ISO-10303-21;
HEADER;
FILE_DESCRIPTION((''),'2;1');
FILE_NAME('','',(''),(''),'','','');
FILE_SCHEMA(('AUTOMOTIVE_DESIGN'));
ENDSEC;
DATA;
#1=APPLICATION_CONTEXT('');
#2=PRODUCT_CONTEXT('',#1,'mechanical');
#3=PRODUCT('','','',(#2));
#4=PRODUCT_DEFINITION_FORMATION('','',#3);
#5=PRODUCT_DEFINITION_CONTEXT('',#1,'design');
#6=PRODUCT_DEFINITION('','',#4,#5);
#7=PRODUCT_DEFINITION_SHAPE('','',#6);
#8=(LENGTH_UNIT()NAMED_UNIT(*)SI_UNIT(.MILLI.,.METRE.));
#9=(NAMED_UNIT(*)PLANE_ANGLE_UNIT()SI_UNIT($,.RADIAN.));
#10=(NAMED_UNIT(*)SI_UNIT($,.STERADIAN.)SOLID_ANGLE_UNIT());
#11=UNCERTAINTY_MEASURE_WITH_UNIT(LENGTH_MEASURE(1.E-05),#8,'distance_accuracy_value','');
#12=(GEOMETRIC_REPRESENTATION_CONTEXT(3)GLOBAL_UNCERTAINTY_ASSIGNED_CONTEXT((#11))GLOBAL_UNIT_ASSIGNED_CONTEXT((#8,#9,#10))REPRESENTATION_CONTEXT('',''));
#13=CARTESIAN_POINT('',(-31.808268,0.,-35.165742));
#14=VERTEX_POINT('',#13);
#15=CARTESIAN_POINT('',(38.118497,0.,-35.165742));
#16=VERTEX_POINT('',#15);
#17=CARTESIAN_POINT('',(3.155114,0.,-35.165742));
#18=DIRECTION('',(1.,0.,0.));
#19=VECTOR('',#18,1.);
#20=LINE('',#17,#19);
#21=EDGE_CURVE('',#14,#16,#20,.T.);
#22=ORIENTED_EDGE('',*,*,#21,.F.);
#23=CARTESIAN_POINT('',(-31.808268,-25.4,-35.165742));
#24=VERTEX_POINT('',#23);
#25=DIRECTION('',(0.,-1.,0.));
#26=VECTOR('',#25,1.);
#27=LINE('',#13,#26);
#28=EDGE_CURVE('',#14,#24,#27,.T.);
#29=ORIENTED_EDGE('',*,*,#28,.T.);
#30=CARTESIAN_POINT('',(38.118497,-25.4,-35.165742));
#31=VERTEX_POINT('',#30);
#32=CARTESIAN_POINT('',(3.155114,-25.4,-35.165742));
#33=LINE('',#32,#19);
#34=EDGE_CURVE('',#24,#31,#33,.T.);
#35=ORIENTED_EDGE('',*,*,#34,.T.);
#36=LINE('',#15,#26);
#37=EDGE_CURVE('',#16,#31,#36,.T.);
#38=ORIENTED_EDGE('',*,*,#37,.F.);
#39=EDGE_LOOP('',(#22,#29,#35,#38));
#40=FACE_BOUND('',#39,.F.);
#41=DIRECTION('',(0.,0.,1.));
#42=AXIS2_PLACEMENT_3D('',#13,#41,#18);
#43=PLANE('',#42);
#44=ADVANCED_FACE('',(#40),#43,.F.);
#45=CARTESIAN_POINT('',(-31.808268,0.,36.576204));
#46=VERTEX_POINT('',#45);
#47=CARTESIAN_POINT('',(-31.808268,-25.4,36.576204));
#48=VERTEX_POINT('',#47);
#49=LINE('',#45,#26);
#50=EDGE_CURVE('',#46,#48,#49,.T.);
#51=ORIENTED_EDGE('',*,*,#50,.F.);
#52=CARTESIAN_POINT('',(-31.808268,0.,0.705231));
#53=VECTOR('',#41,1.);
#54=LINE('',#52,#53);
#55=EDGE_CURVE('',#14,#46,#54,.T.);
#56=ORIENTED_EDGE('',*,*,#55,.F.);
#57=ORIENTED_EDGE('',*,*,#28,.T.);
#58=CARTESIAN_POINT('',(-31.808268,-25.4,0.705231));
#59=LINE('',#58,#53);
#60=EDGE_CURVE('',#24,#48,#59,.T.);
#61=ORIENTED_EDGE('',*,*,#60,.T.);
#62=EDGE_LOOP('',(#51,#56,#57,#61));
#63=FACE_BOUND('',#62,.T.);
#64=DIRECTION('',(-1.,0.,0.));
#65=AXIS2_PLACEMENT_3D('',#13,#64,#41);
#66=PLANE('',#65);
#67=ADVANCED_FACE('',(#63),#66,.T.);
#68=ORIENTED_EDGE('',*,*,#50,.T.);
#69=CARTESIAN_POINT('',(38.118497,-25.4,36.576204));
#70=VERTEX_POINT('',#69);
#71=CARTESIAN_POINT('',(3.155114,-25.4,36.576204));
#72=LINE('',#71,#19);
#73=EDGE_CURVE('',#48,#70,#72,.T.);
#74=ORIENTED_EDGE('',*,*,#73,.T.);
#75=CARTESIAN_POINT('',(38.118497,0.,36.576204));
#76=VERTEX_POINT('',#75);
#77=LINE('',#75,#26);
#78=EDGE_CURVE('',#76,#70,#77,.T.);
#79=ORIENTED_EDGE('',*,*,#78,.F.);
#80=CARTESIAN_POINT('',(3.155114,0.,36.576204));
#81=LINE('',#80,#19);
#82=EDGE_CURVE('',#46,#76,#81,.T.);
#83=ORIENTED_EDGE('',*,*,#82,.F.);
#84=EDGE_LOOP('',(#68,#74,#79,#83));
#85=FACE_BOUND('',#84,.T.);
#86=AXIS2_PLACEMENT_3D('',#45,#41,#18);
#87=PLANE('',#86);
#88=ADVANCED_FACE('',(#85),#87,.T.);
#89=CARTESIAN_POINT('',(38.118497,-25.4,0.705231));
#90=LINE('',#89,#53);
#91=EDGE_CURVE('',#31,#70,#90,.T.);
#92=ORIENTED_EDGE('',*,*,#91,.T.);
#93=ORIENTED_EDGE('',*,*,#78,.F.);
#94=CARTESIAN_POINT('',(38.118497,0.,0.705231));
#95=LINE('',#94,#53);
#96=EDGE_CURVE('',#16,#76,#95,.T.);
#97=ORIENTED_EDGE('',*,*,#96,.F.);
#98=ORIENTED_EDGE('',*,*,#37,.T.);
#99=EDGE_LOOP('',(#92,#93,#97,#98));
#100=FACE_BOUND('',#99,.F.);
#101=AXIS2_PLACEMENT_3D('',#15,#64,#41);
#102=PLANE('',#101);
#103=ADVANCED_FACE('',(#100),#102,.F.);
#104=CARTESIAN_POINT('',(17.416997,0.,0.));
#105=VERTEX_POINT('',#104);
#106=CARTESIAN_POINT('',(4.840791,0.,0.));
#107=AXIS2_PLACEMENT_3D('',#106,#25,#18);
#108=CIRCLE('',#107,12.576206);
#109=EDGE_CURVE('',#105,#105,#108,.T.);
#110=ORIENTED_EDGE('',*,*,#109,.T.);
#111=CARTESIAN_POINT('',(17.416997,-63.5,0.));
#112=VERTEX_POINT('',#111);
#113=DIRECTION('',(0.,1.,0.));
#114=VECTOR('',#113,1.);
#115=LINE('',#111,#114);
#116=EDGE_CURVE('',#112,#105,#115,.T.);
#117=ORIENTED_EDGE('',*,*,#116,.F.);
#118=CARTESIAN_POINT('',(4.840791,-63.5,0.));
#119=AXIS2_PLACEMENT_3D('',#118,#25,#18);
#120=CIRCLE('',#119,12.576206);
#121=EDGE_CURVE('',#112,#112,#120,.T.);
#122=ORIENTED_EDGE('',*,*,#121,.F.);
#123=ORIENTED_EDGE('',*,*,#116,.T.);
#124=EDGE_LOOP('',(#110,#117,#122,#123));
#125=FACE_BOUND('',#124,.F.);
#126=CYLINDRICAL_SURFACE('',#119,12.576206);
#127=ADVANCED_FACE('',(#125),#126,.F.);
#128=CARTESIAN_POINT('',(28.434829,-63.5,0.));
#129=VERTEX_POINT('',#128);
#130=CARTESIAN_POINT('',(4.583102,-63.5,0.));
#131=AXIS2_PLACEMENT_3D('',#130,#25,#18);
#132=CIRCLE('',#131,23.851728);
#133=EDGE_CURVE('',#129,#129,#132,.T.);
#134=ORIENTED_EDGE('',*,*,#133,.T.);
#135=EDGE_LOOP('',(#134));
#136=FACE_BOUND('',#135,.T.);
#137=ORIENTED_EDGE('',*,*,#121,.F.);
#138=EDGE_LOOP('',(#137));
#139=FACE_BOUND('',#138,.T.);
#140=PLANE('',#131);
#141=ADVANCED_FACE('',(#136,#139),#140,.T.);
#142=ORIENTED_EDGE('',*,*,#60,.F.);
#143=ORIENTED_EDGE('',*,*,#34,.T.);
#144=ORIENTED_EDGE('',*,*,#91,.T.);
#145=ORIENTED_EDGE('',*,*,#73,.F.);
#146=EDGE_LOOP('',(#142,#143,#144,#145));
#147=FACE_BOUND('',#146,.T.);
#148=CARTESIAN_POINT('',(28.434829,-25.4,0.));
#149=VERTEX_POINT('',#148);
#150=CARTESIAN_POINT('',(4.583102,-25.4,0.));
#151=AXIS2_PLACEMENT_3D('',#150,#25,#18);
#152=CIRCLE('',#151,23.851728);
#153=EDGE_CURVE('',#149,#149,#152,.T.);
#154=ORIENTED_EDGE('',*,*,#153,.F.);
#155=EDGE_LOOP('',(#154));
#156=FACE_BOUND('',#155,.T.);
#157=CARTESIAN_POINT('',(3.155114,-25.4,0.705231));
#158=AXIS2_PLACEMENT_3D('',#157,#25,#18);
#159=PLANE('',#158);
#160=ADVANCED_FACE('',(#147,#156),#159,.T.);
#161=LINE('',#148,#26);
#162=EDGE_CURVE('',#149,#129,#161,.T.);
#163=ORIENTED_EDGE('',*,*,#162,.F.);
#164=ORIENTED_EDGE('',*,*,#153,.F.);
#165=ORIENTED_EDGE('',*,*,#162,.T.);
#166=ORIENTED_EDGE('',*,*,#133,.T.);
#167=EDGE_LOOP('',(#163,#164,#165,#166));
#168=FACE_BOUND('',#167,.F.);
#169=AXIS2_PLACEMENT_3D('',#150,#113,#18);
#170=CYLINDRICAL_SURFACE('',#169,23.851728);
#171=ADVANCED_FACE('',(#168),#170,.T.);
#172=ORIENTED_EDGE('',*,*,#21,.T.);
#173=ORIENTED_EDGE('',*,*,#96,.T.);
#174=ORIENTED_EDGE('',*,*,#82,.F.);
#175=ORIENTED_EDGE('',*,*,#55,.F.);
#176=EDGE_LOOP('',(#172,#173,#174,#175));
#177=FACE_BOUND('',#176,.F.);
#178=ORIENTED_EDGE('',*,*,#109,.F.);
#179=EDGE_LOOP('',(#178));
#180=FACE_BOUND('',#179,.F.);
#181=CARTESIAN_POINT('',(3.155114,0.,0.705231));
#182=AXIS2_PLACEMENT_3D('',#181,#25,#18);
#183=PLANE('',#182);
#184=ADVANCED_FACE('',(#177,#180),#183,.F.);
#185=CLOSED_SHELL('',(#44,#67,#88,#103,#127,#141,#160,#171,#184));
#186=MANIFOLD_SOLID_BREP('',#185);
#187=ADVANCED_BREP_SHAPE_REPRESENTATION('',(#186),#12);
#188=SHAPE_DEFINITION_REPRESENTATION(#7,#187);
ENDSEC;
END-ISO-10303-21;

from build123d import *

# Parameters (mm, degrees)
F0_W     = 69.926764816
F0_H     = 71.7419460416
F1_DEPTH = 25.4
F3_R     = 23.8517275111
F4_DEPTH = 38.1
F5_R     = 12.5762061787
F6_DEPTH = 63.501


with BuildPart() as f1:
    # F0 (on Front) → F1 (new body)
    with BuildSketch(Plane.XZ):
        with Locations((3.1551141292, 0.7052309811)):
            Rectangle(F0_W, F0_H)
    extrude(amount=F1_DEPTH)

    # F3 (on face) → F4 (join)
    with BuildSketch(Plane.XZ.offset(25.4)):
        with Locations((4.5831017196, 0)):
            Circle(F3_R)
    extrude(amount=F4_DEPTH)

    # F5 (on face) → F6 (cut, through all)
    with BuildSketch(Plane.XZ.offset(63.5)):
        with Locations((4.8407912254, 0)):
            Circle(F5_R)
    extrude(amount=-F6_DEPTH, mode=Mode.SUBTRACT)


solid = f1.part
